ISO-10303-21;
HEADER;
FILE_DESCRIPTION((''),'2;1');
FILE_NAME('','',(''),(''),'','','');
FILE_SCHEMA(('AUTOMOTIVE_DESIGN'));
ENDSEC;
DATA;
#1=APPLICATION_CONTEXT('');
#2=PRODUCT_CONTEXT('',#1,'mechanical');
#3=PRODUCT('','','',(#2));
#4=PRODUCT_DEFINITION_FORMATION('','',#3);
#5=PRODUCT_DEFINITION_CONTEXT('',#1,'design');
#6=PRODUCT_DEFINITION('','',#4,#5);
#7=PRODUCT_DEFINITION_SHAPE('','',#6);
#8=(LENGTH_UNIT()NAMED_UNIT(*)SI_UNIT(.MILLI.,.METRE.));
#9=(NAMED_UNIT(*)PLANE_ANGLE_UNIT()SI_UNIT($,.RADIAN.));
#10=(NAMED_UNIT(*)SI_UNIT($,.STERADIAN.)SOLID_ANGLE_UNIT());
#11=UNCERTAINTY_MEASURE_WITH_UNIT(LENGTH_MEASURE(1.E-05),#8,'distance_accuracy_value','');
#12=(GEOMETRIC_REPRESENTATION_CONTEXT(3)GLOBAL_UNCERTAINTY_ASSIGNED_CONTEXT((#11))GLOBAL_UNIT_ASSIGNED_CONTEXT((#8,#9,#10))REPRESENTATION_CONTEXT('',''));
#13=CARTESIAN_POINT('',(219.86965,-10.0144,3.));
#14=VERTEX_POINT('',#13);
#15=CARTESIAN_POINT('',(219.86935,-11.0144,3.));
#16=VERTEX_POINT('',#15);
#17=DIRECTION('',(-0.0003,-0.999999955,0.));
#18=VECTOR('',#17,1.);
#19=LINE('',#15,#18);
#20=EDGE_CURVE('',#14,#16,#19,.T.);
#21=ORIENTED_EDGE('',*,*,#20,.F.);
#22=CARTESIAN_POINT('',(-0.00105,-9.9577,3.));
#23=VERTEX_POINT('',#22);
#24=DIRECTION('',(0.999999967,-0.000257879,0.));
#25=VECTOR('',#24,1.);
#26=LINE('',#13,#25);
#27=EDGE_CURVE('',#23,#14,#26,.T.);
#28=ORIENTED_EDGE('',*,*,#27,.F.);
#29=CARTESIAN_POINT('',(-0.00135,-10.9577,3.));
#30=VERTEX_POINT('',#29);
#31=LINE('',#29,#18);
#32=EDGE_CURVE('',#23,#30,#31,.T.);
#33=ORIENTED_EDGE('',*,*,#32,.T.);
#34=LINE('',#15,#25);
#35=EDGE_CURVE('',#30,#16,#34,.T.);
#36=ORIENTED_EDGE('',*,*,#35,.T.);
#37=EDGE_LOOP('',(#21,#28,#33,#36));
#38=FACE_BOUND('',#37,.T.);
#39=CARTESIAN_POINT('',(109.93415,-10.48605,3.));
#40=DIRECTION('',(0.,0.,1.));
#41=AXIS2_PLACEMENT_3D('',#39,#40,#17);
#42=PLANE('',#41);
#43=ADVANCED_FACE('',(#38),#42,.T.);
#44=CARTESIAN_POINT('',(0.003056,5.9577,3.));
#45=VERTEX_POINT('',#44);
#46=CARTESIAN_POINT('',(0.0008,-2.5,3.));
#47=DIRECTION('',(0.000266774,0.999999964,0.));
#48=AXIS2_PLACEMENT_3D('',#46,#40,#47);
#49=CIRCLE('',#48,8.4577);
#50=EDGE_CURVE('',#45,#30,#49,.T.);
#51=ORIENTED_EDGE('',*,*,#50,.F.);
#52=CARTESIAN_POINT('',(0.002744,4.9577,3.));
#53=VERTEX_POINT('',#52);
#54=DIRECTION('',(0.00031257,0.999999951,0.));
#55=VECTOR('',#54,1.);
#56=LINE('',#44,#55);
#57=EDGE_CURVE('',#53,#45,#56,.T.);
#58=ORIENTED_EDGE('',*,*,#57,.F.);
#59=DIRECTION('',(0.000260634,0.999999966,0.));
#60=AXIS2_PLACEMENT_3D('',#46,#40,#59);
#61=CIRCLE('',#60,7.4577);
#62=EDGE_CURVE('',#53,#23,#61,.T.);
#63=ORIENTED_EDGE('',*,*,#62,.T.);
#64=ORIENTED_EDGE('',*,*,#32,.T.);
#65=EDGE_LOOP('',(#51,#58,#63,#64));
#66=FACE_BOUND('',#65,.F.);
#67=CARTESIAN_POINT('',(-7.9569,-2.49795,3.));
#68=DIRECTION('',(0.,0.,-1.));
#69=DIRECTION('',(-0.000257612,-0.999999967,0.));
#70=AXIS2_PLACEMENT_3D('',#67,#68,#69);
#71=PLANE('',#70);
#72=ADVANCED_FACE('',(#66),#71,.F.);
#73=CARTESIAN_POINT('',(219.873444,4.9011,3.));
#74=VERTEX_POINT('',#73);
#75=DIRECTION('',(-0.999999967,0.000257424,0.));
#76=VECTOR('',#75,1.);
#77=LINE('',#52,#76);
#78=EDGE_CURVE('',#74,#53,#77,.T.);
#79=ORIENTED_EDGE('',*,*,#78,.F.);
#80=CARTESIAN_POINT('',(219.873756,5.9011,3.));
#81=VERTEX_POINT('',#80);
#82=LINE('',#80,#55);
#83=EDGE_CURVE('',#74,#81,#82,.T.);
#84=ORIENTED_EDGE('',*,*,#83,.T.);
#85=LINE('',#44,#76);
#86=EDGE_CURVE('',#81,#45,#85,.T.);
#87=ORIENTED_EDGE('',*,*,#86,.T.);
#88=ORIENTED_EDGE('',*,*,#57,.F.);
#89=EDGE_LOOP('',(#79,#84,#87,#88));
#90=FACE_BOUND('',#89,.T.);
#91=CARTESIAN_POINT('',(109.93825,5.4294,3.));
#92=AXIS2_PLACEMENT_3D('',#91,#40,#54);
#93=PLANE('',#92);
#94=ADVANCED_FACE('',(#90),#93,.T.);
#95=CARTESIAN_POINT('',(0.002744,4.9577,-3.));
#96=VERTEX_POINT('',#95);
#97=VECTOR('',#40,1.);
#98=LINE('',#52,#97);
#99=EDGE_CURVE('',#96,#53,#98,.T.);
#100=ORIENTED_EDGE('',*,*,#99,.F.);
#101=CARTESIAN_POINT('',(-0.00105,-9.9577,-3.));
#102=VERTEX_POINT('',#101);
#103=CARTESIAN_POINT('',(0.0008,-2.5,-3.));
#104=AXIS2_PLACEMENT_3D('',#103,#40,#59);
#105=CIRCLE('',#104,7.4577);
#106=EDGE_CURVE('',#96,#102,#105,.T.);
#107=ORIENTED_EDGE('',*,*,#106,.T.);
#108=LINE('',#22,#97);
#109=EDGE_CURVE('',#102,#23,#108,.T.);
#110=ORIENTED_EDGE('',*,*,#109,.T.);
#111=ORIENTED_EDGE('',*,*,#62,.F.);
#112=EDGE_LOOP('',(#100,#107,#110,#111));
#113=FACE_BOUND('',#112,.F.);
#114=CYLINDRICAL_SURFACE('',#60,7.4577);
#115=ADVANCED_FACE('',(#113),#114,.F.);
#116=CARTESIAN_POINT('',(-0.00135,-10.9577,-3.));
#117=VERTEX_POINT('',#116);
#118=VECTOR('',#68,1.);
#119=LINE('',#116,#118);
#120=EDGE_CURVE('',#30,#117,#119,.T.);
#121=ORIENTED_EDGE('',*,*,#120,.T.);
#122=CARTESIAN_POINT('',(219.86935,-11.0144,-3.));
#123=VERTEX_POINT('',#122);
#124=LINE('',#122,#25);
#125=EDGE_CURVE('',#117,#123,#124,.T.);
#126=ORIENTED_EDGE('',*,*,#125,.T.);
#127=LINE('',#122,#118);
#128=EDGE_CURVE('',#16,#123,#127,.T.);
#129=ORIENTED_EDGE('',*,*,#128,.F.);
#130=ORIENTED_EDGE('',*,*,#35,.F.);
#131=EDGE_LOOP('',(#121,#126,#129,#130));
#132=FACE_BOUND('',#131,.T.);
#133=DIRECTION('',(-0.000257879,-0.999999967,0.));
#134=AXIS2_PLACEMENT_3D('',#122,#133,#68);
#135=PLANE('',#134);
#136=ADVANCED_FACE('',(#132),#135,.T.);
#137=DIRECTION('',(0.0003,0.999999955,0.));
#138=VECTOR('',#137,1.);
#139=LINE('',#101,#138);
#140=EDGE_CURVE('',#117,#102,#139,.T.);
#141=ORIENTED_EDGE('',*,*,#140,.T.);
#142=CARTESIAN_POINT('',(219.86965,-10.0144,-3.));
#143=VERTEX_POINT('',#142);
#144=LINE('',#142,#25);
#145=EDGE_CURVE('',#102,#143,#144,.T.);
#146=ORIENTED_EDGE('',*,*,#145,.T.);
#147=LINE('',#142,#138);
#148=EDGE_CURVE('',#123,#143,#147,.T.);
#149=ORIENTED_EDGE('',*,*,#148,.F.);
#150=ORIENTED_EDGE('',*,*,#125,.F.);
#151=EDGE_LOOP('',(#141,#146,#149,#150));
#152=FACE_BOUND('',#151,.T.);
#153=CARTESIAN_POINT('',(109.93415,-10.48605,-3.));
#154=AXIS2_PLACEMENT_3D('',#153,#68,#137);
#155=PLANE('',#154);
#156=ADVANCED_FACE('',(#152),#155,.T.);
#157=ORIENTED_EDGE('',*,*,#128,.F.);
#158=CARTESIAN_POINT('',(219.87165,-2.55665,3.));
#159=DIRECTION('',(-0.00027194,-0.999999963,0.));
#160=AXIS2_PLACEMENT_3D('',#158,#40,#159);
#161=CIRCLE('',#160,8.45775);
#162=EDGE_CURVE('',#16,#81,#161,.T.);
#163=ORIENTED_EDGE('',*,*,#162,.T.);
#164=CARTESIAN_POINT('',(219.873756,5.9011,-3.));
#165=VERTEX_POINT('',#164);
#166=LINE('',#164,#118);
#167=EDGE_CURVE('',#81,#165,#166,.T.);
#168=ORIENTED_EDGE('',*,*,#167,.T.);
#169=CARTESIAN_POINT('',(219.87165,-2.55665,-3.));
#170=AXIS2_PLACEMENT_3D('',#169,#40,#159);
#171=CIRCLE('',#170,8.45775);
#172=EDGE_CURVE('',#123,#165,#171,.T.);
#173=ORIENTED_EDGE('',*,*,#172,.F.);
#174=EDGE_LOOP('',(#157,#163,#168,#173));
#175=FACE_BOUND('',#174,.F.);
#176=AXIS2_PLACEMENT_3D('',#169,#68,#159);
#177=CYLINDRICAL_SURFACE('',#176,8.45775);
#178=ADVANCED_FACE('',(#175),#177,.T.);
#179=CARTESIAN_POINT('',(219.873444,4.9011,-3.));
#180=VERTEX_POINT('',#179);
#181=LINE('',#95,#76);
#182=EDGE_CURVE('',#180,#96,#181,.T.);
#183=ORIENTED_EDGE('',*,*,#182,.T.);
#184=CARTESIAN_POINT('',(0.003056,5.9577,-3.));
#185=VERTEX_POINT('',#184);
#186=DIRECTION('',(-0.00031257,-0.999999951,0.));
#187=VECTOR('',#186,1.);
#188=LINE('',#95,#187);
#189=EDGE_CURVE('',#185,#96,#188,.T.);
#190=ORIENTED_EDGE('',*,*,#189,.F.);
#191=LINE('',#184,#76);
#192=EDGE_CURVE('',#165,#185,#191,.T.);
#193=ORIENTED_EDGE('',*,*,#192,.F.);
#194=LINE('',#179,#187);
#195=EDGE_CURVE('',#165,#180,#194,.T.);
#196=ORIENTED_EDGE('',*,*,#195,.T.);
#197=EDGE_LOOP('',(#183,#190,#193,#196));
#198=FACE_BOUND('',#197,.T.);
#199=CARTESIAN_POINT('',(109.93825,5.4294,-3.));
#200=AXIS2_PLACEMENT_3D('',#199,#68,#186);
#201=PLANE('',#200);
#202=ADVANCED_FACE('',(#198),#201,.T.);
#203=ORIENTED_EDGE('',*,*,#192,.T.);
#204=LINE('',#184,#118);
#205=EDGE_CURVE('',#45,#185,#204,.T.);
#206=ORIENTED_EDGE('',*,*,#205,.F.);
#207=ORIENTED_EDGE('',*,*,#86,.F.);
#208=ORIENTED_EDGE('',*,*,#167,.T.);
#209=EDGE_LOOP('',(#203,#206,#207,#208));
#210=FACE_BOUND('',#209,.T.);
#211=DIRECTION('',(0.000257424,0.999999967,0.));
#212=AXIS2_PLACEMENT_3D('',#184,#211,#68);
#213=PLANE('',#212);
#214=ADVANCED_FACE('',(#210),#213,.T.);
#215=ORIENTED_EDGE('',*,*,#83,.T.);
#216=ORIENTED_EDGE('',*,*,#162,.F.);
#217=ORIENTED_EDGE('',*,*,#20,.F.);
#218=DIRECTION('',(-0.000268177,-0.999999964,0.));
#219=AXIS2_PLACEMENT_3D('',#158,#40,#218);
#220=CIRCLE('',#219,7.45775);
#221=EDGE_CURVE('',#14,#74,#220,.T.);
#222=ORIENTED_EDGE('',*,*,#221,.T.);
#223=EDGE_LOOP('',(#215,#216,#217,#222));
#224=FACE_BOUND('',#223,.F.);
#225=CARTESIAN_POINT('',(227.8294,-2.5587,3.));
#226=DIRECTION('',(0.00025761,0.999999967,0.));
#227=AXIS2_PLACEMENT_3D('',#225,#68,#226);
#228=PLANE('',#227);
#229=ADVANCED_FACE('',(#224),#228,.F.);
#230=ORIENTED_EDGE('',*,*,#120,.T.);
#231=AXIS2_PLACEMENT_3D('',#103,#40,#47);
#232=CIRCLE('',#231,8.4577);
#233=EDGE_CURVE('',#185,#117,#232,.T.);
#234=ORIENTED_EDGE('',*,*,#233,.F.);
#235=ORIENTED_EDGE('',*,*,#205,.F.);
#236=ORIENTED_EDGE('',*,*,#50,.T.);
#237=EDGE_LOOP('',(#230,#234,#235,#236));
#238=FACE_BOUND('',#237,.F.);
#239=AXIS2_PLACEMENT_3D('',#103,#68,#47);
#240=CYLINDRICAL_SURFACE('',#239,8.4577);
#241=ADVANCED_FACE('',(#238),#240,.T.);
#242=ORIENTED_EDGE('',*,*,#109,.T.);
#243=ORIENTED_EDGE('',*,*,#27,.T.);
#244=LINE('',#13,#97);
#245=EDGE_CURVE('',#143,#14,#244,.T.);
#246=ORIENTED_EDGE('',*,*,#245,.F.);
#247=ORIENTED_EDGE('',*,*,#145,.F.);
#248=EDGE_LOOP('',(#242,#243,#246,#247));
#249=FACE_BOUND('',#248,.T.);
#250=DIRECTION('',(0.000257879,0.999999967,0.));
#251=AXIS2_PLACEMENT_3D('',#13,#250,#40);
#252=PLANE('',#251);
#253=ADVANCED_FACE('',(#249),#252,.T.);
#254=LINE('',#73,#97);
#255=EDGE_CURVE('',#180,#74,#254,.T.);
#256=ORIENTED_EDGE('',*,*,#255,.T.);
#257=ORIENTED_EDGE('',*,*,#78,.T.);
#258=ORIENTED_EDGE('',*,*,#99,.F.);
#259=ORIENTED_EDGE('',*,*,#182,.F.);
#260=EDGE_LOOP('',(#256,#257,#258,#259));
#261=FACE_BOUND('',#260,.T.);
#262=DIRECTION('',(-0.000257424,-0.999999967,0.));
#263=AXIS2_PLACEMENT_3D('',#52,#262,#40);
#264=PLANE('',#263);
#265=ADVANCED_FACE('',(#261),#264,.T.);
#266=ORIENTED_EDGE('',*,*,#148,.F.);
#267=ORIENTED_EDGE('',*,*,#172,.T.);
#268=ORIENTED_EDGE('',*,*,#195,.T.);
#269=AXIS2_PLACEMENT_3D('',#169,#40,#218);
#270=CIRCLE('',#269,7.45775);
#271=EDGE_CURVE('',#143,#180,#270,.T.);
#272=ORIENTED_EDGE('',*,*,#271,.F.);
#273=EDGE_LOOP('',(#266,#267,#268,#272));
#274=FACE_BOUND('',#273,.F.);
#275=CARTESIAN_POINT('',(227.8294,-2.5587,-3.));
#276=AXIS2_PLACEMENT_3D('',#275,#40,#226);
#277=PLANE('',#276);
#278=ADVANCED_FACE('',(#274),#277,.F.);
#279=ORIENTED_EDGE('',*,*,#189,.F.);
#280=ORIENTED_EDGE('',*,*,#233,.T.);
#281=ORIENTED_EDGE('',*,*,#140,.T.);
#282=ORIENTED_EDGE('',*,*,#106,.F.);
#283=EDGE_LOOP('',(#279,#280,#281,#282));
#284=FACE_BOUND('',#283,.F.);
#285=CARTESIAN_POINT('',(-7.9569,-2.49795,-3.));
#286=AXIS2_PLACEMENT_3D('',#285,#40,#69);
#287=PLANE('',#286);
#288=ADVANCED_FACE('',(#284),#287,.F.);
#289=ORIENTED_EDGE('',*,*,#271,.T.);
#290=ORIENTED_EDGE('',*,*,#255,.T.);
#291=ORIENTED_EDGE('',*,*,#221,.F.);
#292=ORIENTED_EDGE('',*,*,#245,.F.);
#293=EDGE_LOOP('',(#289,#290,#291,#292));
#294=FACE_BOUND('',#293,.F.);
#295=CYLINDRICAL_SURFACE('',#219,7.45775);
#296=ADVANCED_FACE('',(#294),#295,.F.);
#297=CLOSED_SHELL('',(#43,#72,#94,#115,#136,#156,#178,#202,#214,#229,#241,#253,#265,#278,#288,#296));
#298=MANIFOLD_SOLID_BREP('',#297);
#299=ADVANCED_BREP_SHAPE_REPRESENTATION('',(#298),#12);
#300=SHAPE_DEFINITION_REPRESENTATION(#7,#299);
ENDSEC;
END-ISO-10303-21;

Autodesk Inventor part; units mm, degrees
sketch "Sketch Path" plane through (0, 0, 0) normal (0, 0, 1) x (1, 0, 0)
  arc A0 (0.0029, 5.4577) -> (-0.0012, -10.4577) centre (0.0008, -2.5) ccw
  arc A1 (219.8695, -10.5144) -> (219.8736, 5.4011) centre (219.8716, -2.5566) ccw
  line L0 (219.8695, -10.5144) -> (-0.0012, -10.4577)
  line L1 (0.0029, 5.4577) -> (219.8736, 5.4011)
ref_plane "Cross Section Plane" through (-0.0012, -10.4577, 0) normal (1, -0.0003, 0) x (0, 0, 1)
ref_plane "Work Plane2" through (0.0008, -2.5, 0) normal (-1, 0, 0) x (0, 0, 1)
ref_plane "Work Plane3" through (219.8716, -2.5566, 0) normal (-0.9999, 0.0162, 0) x (0, 0, 1)
sketch "Cross Section" plane through (-0.0012, -10.4577, 0) normal (1, -0.0003, 0) x (0, 0, 1)
  line L0 (-3, 0.5) -> (3, 0.5)
  line L1 (3, 0.5) -> (3, -0.5)
  line L2 (3, -0.5) -> (-3, -0.5)
  line L3 (-3, -0.5) -> (-3, 0.5)
  line L4 (-3, 0) -> (3, 0) construction
  point P0 (0, 0)
  point P1 (0, 0)
  dimension "d0" = 6
  dimension "d4" = 0.5
  dimension "d5" = 0.5
sweep "Belt" add profiles "Cross Section" path "Sketch Path"
equation "\"d0\" = da_B"
equation "\"d4\" = da_a"
equation "\"d5\" = da_a2"
equation "\"da_B\" = 6"
equation "\"da_pb\" = 5"
equation "\"da_L\" = 489.74157"
equation "\"da_a\" = 0.5"
equation "\"da_S\" = 2.65"
equation "\"da_Beta\" = 20deg"
equation "\"da_Ht\" = 1.2"
equation "\"da_H\" = 2.2"
equation "\"da_a2\" = 0.5"
properties part number "Synchronous Belt" material "Rubber"
